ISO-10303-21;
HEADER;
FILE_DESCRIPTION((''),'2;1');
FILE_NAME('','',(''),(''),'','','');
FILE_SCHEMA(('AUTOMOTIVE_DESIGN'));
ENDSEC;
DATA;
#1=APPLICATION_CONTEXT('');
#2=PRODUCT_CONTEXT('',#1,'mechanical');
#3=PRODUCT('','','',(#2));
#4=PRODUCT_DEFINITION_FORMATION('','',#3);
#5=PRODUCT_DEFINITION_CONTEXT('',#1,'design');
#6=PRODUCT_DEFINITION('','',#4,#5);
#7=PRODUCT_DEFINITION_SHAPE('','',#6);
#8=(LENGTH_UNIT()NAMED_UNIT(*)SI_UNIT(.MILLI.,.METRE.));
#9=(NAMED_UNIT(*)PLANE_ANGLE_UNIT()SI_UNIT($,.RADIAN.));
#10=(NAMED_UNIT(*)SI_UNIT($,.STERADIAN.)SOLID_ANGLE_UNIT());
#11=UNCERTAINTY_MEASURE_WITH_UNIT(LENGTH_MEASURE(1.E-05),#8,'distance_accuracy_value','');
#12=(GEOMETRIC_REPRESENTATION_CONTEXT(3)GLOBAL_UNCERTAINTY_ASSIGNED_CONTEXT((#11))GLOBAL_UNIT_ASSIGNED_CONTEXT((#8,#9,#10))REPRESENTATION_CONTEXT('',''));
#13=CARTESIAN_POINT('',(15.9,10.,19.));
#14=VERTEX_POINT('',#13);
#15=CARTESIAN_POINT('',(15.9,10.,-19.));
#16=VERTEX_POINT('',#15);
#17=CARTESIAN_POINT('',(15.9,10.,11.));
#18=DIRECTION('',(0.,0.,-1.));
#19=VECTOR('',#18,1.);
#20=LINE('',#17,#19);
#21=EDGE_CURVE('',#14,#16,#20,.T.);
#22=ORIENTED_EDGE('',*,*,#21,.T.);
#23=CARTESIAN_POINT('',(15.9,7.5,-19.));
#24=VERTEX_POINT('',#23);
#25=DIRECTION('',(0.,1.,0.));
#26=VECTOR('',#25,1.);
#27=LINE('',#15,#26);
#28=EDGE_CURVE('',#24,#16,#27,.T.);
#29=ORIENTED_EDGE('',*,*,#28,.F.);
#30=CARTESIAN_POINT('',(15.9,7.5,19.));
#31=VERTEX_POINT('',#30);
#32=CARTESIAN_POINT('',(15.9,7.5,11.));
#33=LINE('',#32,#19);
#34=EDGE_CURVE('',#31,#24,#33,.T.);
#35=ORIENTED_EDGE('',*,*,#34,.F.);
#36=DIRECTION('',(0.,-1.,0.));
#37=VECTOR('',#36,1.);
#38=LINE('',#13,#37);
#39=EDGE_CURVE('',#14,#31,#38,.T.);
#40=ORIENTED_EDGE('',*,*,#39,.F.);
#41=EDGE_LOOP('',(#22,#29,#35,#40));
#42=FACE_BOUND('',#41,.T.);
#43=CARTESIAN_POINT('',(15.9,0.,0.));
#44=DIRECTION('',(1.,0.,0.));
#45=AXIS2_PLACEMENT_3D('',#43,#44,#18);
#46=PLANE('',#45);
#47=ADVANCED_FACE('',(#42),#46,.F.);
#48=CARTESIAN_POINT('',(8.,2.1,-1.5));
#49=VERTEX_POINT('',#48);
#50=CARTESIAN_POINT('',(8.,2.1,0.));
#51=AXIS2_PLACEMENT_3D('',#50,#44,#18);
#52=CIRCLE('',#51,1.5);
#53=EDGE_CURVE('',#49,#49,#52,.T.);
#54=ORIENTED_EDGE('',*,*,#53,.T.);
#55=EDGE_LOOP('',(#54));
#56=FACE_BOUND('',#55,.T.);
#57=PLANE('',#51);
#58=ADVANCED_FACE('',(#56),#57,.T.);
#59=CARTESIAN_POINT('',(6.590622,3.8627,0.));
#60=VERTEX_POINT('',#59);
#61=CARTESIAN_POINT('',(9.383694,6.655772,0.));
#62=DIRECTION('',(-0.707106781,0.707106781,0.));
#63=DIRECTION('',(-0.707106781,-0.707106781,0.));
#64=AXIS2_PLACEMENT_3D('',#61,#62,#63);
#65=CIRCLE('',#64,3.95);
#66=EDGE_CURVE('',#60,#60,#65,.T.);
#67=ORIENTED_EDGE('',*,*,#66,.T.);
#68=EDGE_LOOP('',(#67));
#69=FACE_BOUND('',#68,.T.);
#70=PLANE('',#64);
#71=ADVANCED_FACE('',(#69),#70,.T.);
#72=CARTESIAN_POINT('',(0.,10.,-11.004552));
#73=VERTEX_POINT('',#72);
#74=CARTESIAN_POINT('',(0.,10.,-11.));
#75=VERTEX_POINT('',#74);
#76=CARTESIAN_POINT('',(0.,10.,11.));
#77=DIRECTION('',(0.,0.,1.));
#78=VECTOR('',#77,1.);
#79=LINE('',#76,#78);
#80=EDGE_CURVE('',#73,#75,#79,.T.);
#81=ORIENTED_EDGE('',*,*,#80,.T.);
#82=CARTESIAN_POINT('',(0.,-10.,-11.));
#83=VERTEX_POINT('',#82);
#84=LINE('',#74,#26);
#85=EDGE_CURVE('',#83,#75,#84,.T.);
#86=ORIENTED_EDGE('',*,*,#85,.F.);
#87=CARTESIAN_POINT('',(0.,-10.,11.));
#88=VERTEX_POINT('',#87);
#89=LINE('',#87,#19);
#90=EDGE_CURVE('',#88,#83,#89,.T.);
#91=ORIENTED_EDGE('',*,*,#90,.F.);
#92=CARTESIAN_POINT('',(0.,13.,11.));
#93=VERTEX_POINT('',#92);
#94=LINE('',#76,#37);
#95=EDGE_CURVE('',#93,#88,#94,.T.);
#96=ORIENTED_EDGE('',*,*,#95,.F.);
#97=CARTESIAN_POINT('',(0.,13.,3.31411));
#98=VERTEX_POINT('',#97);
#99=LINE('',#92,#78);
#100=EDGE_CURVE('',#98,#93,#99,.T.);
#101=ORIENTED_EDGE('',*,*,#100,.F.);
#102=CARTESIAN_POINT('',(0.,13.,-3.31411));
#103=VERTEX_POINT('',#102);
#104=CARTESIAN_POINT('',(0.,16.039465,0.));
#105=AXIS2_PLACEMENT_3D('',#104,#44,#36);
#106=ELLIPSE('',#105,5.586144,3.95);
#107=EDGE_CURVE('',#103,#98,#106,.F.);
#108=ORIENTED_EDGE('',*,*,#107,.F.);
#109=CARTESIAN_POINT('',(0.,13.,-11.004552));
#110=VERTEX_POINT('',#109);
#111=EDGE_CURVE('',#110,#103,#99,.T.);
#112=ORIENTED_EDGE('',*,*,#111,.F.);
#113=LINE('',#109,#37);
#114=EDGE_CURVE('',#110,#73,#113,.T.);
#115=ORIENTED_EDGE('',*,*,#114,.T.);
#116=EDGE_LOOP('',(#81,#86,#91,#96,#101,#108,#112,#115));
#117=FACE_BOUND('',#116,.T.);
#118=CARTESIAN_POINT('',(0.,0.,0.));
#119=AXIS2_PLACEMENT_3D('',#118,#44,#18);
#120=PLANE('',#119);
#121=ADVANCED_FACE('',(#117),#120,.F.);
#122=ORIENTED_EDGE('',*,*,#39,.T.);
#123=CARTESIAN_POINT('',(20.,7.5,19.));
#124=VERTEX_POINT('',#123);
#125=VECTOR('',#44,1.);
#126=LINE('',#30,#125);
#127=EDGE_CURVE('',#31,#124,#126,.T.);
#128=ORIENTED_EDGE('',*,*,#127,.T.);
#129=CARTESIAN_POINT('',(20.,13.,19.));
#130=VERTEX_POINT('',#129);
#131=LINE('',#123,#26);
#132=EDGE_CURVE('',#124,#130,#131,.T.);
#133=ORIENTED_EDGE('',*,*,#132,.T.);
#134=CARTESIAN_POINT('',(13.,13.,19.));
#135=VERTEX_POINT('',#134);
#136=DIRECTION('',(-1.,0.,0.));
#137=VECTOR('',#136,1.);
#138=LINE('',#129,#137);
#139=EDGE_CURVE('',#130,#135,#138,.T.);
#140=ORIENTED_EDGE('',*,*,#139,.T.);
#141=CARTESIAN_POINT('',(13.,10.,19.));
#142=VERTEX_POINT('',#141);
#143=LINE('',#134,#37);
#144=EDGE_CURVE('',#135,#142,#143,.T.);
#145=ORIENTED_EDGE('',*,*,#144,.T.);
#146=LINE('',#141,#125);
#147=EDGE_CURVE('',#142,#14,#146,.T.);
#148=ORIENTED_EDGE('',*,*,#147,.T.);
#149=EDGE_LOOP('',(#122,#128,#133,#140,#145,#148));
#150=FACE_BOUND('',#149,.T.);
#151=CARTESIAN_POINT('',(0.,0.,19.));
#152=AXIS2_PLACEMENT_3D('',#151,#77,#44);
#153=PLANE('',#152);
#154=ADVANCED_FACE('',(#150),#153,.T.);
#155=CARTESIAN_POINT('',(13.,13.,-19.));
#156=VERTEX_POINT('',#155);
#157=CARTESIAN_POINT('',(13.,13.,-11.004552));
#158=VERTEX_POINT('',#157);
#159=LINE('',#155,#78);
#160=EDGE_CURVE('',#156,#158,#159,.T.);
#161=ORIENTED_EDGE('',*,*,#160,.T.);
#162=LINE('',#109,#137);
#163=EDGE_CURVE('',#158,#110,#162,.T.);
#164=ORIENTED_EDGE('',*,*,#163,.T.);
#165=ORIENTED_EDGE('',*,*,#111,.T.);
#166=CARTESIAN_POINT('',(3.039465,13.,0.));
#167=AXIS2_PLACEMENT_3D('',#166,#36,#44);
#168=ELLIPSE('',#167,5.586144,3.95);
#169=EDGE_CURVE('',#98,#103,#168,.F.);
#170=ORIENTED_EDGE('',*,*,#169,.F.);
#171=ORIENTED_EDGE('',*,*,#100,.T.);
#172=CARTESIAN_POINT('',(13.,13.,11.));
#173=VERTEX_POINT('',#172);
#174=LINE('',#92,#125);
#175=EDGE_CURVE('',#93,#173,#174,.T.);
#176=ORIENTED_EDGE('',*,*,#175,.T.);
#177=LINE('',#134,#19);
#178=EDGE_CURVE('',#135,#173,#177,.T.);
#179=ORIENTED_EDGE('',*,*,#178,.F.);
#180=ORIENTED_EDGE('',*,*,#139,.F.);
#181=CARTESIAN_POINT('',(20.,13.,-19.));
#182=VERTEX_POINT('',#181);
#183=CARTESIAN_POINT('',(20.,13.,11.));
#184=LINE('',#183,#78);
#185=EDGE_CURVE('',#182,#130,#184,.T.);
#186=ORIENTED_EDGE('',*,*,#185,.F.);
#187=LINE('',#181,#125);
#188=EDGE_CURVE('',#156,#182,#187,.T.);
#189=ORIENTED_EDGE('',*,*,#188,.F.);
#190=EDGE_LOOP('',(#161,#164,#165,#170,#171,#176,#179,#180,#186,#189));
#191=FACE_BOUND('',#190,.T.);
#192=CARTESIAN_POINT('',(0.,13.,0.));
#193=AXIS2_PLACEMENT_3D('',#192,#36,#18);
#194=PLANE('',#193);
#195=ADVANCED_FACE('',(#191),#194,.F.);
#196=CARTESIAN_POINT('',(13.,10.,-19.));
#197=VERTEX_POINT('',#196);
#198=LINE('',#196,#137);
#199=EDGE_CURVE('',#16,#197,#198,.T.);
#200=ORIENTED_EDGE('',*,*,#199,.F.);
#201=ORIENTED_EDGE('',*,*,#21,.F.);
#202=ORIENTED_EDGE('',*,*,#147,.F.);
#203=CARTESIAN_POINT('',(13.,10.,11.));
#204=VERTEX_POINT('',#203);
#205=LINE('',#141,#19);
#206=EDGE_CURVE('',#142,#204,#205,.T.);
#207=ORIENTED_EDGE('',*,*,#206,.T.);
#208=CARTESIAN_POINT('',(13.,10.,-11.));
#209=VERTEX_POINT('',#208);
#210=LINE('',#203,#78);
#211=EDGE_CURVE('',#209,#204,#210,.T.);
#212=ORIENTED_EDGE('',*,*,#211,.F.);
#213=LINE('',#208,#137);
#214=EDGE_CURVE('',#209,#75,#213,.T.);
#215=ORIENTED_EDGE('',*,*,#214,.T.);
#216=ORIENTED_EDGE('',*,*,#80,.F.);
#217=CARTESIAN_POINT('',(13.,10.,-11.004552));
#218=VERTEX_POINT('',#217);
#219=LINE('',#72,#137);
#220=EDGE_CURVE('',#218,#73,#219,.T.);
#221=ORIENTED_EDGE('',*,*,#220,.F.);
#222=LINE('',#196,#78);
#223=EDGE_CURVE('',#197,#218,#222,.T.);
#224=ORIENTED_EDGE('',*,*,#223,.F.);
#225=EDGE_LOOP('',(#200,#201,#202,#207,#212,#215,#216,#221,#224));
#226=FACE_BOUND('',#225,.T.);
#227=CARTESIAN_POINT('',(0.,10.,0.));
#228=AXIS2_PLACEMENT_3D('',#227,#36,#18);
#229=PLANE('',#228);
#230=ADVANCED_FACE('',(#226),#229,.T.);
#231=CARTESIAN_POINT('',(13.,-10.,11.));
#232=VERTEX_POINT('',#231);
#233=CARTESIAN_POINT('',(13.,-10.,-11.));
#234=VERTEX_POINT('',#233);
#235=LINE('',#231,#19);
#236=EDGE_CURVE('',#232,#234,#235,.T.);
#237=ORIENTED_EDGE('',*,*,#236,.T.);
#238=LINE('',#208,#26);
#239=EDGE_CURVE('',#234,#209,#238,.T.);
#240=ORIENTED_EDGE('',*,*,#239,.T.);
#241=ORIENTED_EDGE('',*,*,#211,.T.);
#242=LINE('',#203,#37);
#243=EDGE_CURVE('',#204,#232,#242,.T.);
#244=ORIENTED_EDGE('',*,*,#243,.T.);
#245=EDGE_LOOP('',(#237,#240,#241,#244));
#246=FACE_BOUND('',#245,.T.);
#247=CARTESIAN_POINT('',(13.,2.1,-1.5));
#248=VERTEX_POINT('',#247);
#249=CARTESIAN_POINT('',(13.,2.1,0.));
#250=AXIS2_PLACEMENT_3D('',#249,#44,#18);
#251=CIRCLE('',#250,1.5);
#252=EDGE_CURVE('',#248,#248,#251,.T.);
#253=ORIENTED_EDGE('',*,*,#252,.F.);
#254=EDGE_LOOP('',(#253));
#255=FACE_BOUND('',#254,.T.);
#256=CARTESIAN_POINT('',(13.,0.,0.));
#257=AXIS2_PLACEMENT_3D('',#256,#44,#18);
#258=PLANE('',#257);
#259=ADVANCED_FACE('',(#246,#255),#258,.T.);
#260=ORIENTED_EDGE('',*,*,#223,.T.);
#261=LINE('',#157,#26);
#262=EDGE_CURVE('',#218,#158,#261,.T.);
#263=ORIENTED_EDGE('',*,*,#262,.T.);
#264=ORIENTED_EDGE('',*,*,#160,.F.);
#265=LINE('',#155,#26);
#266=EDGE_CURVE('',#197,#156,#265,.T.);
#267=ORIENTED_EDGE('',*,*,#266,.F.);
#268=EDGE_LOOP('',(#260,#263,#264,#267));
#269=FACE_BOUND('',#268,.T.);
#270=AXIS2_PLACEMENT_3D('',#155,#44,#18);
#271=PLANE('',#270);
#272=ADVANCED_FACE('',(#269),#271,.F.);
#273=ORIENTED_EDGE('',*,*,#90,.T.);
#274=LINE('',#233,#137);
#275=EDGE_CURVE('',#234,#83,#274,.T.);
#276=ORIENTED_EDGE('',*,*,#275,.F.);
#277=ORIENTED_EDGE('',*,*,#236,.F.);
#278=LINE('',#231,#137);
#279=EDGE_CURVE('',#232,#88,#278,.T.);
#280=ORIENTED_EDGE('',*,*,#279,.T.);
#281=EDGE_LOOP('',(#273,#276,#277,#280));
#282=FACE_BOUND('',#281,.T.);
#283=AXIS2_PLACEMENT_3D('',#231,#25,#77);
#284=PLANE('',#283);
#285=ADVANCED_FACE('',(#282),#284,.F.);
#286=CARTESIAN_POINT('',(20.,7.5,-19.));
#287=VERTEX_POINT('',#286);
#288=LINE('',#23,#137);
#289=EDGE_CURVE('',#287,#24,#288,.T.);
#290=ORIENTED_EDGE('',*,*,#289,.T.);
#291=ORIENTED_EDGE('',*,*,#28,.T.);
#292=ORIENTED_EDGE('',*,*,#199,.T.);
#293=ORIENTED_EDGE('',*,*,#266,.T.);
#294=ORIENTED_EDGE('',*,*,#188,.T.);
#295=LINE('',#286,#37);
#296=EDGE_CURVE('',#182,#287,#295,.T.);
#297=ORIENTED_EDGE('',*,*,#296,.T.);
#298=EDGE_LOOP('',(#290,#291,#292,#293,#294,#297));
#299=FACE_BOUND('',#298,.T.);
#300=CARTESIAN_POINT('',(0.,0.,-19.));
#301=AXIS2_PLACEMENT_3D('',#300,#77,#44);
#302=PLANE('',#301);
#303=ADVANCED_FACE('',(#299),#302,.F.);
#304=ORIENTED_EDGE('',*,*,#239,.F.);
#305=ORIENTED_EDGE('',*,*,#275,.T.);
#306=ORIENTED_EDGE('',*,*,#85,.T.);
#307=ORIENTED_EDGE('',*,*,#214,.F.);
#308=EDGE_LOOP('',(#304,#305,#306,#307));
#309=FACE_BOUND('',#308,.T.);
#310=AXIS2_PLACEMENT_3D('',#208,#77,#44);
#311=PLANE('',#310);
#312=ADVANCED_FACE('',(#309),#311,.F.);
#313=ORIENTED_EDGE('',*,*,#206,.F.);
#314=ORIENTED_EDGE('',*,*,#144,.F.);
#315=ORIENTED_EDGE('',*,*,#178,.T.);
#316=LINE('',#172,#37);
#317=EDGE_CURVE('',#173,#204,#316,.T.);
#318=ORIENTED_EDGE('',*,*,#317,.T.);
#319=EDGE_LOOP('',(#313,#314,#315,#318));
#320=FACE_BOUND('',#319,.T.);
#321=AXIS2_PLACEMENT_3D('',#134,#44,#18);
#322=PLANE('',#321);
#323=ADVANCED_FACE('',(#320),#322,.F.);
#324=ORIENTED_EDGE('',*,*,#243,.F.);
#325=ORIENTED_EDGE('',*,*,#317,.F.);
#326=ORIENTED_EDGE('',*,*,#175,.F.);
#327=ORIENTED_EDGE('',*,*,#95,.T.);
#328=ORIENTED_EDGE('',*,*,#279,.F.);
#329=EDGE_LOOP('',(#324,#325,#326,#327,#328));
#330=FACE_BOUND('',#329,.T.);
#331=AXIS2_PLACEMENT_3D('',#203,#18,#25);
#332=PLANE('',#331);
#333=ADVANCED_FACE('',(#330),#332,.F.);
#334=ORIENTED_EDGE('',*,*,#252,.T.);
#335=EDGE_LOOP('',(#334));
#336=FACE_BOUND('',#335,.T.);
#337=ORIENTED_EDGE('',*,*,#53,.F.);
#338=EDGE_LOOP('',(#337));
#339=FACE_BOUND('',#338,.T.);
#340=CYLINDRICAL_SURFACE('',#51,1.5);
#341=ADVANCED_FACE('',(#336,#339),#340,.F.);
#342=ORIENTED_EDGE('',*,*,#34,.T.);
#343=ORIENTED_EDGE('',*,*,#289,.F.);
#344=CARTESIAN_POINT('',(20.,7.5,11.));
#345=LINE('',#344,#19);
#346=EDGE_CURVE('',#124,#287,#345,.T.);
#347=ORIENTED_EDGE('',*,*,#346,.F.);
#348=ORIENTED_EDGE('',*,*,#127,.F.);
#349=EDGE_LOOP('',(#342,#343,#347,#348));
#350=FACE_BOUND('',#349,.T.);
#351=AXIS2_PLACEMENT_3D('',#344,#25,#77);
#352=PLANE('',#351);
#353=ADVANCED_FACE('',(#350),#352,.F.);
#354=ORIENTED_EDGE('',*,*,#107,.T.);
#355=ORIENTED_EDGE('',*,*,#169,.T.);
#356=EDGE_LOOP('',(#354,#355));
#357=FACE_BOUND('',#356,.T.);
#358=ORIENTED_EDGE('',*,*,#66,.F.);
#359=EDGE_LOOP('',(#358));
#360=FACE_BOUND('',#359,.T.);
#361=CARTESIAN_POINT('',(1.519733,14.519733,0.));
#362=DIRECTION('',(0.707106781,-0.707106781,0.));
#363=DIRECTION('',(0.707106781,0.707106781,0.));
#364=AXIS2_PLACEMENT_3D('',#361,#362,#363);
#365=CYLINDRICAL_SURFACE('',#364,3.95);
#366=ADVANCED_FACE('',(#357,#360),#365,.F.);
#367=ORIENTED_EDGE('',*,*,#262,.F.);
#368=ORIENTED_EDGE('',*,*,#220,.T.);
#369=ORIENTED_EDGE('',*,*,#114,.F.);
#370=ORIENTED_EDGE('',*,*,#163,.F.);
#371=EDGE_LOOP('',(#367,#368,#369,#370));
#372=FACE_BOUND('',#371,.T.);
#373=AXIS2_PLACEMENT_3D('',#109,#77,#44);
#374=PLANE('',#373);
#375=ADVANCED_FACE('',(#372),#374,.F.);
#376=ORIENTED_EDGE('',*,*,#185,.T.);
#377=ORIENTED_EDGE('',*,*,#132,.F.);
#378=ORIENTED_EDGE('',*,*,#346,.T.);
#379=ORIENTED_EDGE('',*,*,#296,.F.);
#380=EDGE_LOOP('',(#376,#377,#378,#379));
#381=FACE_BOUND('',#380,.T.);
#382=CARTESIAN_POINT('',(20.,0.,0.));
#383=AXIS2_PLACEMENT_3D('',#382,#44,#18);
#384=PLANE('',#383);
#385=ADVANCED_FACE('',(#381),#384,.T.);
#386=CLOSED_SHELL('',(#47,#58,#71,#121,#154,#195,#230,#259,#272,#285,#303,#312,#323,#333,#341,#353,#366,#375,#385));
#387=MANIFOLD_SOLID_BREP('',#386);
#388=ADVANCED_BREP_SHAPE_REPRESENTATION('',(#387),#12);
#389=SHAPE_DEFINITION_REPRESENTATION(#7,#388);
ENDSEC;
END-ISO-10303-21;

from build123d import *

# Parameters (mm, degrees)
SKETCH_1_W               = 22
SKETCH_1_H               = 20
EXTRUDE_1_DEPTH          = 13
SKETCH_2_W               = 15.9
SKETCH_2_H               = 22.004551976
EXTRUDE_2_DEPTH          = 3
SKETCH_3_W               = 22
SKETCH_3_H               = 5.5
EXTRUDE_3_DEPTH          = 4.1
EXTRUDE_4_DEPTH          = 8
EXTRUDE_5_DEPTH          = 8
SKETCH_7_R               = 1.5
CUT_EXTRUDE_1_DEPTH      = 5
CUT_EXTRUDE_2_DEPTH      = 35.799425283
CUT_EXTRUDE_2_DEPTH_BACK = 9
SKETCH_9_R               = 3.95


with BuildPart() as part:
    # 草图1 → 凸台-拉伸1 (new body)
    with BuildSketch(Plane(origin=(0, 0, 0), x_dir=(0, 0, -1), z_dir=(1, 0, 0))):
        Rectangle(SKETCH_1_W, SKETCH_1_H)
    extrude(amount=EXTRUDE_1_DEPTH)

    # 草图2 → 凸台-拉伸2 (add)
    with BuildSketch(Plane(origin=(0, 10, 0), x_dir=(1, 0, 0), z_dir=(0, 1, 0))):
        with Locations((7.95, 0.002275988)):
            Rectangle(SKETCH_2_W, SKETCH_2_H)
    extrude(amount=EXTRUDE_2_DEPTH)

    # 草图3 → 凸台-拉伸3 (add)
    with BuildSketch(Plane(origin=(15.9, 0, 0), x_dir=(0, 0, -1), z_dir=(1, 0, 0))):
        with Locations((0, 10.25)):
            Rectangle(SKETCH_3_W, SKETCH_3_H)
    extrude(amount=EXTRUDE_3_DEPTH)

    # 草图5 → 凸台-拉伸4 (add)
    with BuildSketch(Plane.XY.offset(11)):
        Polygon((13, 13), (13, 10), (15.9, 10), (15.9, 7.5), (20, 7.5), (20, 13), align=None)
    extrude(amount=EXTRUDE_4_DEPTH)

    # 草图6 → 凸台-拉伸5 (add)
    with BuildSketch(Plane(origin=(0, 0, -11), x_dir=(-1, 0, 0), z_dir=(0, 0, -1))):
        Polygon((-13, 13), (-13, 10), (-15.9, 10), (-15.9, 7.5), (-20, 7.5), (-20, 13), align=None)
    extrude(amount=EXTRUDE_5_DEPTH)

    # 草图7 → 切除-拉伸1 (cut)
    with BuildSketch(Plane(origin=(13, 0, 0), x_dir=(0, 0, -1), z_dir=(1, 0, 0))):
        with Locations((0, 2.1)):
            Circle(SKETCH_7_R)
    extrude(amount=-CUT_EXTRUDE_1_DEPTH, mode=Mode.SUBTRACT)

    # 草图9 → 切除-拉伸2 (cut, two sides: drawn at the far end of the back side and taken through both)
    with BuildSketch(Plane(origin=(-5, 5, 0), x_dir=(0, 0, -1), z_dir=(-0.7071067811865464, 0.7071067811865488, 0)).offset(-CUT_EXTRUDE_2_DEPTH_BACK)):
        with Locations(Location((0, -11.341614651, 0), (0, 0, 147.03627328))):
            Circle(SKETCH_9_R)
    extrude(amount=CUT_EXTRUDE_2_DEPTH + CUT_EXTRUDE_2_DEPTH_BACK, mode=Mode.SUBTRACT)


solid = part.part
